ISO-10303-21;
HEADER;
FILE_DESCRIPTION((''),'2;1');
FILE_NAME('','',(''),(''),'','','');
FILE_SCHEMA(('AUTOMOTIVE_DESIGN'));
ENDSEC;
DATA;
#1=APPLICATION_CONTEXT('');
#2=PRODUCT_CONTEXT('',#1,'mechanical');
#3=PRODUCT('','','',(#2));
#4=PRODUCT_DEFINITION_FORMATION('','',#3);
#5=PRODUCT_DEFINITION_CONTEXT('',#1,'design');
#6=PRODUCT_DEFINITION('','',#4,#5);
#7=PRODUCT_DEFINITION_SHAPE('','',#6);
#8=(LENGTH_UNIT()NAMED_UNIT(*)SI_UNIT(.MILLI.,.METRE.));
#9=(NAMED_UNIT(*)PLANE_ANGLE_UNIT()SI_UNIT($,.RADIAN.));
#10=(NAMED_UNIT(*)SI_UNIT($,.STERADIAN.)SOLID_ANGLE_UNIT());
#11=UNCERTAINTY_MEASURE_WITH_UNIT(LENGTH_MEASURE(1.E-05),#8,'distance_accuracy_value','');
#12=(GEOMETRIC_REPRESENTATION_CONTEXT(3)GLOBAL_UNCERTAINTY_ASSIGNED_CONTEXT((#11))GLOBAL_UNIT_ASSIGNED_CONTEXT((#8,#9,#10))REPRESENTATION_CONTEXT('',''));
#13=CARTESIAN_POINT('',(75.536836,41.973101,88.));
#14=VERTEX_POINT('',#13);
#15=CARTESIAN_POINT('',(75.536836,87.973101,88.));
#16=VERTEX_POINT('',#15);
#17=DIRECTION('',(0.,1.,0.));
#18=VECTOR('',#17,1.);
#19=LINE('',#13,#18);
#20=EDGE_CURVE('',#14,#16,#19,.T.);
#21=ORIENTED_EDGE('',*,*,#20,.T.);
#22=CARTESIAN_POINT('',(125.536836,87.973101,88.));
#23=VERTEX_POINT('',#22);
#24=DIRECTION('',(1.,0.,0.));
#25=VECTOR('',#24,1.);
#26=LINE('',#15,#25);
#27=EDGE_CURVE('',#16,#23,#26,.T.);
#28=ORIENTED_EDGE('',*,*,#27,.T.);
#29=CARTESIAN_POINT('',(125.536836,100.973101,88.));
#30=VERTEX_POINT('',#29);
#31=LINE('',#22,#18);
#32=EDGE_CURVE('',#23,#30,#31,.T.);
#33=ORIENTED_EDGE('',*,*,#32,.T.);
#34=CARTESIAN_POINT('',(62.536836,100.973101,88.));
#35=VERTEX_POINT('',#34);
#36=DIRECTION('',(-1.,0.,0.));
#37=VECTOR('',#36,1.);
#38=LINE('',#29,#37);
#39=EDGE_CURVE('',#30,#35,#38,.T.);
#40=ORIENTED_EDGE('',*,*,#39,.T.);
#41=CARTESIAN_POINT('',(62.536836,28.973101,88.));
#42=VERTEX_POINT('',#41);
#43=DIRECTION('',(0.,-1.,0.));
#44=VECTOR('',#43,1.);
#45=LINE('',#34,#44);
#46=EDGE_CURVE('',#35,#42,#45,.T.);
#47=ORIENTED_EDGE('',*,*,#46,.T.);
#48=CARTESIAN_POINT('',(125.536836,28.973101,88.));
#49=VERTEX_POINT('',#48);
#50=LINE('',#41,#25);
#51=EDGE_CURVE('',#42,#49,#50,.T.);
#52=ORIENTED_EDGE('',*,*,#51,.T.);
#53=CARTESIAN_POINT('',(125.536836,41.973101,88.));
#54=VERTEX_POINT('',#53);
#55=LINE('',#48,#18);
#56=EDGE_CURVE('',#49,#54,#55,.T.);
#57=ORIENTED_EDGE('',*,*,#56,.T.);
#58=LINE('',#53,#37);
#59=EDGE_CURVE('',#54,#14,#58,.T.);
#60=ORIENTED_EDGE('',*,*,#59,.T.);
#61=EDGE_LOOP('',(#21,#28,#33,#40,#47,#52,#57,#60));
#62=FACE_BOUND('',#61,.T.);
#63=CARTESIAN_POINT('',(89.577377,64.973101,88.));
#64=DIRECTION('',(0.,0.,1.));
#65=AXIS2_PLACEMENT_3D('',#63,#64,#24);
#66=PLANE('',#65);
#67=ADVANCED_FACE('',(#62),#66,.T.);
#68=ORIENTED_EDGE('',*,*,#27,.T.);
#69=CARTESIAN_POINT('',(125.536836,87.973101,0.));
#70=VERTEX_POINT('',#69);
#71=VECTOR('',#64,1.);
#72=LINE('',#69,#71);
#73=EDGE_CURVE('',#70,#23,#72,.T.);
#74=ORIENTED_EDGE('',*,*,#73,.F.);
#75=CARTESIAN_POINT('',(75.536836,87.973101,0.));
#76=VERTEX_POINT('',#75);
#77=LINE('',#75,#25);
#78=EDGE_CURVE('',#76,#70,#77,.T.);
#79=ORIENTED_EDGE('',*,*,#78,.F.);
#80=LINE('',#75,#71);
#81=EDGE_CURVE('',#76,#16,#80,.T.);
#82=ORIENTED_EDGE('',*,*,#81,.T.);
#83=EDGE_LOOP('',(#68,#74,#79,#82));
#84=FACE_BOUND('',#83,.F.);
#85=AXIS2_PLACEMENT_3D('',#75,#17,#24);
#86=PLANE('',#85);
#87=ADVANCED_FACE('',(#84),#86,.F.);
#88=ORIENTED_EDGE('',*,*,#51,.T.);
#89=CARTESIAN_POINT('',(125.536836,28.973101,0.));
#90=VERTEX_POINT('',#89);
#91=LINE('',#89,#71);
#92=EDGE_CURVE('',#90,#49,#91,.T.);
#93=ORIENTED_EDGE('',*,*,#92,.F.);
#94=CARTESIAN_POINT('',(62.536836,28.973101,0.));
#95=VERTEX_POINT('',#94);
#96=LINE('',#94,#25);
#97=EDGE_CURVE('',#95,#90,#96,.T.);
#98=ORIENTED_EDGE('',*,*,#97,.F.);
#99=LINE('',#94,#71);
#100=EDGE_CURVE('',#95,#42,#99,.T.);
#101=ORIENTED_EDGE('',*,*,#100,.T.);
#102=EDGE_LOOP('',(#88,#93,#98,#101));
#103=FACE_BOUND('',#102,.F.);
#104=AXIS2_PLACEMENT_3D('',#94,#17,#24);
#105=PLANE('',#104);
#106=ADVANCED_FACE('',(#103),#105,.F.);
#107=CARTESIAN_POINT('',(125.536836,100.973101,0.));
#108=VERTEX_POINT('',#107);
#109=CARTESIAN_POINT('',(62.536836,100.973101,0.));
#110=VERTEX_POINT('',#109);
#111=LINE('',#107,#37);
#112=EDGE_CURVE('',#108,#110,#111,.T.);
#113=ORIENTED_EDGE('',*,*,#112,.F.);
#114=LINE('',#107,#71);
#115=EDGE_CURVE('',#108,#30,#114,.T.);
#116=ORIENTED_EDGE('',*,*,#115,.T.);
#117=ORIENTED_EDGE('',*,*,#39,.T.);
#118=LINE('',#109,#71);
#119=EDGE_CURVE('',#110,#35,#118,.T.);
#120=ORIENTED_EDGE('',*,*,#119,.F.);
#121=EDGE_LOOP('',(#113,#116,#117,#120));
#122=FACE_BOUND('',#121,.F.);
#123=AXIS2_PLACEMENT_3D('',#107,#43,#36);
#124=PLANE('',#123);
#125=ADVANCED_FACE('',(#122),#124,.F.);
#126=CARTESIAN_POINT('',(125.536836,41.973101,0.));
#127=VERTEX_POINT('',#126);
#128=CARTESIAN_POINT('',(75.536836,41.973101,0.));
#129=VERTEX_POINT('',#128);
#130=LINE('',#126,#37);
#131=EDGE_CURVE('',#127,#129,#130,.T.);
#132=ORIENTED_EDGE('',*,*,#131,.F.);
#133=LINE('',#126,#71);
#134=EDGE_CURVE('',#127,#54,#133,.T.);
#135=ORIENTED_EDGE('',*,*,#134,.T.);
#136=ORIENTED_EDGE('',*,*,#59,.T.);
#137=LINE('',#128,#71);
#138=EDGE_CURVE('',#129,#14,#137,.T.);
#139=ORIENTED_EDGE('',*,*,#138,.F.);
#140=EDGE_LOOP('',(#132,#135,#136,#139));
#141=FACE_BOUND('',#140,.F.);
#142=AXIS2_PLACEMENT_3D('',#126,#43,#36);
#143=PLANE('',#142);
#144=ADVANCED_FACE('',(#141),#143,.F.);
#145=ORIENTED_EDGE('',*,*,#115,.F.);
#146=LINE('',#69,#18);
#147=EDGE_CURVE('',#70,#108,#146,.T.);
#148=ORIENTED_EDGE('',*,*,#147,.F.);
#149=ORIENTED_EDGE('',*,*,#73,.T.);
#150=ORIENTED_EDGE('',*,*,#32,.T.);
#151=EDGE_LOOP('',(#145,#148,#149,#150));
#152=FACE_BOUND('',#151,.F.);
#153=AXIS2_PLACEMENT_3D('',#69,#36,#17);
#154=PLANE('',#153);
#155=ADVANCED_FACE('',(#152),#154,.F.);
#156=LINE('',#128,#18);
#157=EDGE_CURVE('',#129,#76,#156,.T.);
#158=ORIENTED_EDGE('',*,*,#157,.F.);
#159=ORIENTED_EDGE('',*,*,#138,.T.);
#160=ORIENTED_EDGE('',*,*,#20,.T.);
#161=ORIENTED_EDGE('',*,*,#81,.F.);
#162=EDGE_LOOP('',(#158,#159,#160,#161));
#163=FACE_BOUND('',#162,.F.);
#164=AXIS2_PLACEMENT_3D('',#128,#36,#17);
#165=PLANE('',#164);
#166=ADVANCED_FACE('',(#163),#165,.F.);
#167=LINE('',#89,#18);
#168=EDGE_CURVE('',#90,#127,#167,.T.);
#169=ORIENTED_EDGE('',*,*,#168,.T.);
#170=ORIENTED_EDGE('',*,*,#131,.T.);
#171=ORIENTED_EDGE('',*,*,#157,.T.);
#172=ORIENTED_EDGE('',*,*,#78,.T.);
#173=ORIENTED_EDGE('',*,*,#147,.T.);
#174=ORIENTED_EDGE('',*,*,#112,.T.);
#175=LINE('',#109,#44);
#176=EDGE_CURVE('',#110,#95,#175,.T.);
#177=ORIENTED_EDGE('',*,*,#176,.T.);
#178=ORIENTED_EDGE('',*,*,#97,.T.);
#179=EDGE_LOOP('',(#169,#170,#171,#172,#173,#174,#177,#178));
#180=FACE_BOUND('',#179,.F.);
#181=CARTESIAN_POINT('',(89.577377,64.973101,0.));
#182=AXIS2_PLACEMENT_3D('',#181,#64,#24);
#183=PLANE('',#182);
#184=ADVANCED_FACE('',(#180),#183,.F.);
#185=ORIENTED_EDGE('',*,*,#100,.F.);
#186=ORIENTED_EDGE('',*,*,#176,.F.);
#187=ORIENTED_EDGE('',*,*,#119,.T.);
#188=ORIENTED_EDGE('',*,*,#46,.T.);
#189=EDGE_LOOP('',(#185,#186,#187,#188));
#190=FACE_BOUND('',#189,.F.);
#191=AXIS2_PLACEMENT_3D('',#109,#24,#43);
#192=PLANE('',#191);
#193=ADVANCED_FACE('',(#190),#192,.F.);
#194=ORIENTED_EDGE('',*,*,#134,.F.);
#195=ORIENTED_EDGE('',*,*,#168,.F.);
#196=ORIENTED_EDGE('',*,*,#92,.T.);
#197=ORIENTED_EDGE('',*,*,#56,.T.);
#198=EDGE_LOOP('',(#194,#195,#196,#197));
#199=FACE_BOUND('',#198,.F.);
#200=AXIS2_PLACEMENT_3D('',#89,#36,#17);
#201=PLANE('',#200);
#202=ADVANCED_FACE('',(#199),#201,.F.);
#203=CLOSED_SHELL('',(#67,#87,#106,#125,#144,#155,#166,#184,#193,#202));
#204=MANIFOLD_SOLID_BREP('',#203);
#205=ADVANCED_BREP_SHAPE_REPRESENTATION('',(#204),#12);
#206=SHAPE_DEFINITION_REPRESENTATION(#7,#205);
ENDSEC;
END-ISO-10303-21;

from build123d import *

# Parameters (mm, degrees)
EXTRUDE_DEPTH = 88


with BuildPart() as part:
    # Sketch → Extrude (new body)
    with BuildSketch(Plane.XY):
        Polygon((62.536836, 100.973101), (62.536836, 28.973101), (125.536836, 28.973101), (125.536836, 41.973101), (75.536836, 41.973101), (75.536836, 87.973101), (125.536836, 87.973101), (125.536836, 100.973101), align=None)
    extrude(amount=EXTRUDE_DEPTH)


solid = part.part
